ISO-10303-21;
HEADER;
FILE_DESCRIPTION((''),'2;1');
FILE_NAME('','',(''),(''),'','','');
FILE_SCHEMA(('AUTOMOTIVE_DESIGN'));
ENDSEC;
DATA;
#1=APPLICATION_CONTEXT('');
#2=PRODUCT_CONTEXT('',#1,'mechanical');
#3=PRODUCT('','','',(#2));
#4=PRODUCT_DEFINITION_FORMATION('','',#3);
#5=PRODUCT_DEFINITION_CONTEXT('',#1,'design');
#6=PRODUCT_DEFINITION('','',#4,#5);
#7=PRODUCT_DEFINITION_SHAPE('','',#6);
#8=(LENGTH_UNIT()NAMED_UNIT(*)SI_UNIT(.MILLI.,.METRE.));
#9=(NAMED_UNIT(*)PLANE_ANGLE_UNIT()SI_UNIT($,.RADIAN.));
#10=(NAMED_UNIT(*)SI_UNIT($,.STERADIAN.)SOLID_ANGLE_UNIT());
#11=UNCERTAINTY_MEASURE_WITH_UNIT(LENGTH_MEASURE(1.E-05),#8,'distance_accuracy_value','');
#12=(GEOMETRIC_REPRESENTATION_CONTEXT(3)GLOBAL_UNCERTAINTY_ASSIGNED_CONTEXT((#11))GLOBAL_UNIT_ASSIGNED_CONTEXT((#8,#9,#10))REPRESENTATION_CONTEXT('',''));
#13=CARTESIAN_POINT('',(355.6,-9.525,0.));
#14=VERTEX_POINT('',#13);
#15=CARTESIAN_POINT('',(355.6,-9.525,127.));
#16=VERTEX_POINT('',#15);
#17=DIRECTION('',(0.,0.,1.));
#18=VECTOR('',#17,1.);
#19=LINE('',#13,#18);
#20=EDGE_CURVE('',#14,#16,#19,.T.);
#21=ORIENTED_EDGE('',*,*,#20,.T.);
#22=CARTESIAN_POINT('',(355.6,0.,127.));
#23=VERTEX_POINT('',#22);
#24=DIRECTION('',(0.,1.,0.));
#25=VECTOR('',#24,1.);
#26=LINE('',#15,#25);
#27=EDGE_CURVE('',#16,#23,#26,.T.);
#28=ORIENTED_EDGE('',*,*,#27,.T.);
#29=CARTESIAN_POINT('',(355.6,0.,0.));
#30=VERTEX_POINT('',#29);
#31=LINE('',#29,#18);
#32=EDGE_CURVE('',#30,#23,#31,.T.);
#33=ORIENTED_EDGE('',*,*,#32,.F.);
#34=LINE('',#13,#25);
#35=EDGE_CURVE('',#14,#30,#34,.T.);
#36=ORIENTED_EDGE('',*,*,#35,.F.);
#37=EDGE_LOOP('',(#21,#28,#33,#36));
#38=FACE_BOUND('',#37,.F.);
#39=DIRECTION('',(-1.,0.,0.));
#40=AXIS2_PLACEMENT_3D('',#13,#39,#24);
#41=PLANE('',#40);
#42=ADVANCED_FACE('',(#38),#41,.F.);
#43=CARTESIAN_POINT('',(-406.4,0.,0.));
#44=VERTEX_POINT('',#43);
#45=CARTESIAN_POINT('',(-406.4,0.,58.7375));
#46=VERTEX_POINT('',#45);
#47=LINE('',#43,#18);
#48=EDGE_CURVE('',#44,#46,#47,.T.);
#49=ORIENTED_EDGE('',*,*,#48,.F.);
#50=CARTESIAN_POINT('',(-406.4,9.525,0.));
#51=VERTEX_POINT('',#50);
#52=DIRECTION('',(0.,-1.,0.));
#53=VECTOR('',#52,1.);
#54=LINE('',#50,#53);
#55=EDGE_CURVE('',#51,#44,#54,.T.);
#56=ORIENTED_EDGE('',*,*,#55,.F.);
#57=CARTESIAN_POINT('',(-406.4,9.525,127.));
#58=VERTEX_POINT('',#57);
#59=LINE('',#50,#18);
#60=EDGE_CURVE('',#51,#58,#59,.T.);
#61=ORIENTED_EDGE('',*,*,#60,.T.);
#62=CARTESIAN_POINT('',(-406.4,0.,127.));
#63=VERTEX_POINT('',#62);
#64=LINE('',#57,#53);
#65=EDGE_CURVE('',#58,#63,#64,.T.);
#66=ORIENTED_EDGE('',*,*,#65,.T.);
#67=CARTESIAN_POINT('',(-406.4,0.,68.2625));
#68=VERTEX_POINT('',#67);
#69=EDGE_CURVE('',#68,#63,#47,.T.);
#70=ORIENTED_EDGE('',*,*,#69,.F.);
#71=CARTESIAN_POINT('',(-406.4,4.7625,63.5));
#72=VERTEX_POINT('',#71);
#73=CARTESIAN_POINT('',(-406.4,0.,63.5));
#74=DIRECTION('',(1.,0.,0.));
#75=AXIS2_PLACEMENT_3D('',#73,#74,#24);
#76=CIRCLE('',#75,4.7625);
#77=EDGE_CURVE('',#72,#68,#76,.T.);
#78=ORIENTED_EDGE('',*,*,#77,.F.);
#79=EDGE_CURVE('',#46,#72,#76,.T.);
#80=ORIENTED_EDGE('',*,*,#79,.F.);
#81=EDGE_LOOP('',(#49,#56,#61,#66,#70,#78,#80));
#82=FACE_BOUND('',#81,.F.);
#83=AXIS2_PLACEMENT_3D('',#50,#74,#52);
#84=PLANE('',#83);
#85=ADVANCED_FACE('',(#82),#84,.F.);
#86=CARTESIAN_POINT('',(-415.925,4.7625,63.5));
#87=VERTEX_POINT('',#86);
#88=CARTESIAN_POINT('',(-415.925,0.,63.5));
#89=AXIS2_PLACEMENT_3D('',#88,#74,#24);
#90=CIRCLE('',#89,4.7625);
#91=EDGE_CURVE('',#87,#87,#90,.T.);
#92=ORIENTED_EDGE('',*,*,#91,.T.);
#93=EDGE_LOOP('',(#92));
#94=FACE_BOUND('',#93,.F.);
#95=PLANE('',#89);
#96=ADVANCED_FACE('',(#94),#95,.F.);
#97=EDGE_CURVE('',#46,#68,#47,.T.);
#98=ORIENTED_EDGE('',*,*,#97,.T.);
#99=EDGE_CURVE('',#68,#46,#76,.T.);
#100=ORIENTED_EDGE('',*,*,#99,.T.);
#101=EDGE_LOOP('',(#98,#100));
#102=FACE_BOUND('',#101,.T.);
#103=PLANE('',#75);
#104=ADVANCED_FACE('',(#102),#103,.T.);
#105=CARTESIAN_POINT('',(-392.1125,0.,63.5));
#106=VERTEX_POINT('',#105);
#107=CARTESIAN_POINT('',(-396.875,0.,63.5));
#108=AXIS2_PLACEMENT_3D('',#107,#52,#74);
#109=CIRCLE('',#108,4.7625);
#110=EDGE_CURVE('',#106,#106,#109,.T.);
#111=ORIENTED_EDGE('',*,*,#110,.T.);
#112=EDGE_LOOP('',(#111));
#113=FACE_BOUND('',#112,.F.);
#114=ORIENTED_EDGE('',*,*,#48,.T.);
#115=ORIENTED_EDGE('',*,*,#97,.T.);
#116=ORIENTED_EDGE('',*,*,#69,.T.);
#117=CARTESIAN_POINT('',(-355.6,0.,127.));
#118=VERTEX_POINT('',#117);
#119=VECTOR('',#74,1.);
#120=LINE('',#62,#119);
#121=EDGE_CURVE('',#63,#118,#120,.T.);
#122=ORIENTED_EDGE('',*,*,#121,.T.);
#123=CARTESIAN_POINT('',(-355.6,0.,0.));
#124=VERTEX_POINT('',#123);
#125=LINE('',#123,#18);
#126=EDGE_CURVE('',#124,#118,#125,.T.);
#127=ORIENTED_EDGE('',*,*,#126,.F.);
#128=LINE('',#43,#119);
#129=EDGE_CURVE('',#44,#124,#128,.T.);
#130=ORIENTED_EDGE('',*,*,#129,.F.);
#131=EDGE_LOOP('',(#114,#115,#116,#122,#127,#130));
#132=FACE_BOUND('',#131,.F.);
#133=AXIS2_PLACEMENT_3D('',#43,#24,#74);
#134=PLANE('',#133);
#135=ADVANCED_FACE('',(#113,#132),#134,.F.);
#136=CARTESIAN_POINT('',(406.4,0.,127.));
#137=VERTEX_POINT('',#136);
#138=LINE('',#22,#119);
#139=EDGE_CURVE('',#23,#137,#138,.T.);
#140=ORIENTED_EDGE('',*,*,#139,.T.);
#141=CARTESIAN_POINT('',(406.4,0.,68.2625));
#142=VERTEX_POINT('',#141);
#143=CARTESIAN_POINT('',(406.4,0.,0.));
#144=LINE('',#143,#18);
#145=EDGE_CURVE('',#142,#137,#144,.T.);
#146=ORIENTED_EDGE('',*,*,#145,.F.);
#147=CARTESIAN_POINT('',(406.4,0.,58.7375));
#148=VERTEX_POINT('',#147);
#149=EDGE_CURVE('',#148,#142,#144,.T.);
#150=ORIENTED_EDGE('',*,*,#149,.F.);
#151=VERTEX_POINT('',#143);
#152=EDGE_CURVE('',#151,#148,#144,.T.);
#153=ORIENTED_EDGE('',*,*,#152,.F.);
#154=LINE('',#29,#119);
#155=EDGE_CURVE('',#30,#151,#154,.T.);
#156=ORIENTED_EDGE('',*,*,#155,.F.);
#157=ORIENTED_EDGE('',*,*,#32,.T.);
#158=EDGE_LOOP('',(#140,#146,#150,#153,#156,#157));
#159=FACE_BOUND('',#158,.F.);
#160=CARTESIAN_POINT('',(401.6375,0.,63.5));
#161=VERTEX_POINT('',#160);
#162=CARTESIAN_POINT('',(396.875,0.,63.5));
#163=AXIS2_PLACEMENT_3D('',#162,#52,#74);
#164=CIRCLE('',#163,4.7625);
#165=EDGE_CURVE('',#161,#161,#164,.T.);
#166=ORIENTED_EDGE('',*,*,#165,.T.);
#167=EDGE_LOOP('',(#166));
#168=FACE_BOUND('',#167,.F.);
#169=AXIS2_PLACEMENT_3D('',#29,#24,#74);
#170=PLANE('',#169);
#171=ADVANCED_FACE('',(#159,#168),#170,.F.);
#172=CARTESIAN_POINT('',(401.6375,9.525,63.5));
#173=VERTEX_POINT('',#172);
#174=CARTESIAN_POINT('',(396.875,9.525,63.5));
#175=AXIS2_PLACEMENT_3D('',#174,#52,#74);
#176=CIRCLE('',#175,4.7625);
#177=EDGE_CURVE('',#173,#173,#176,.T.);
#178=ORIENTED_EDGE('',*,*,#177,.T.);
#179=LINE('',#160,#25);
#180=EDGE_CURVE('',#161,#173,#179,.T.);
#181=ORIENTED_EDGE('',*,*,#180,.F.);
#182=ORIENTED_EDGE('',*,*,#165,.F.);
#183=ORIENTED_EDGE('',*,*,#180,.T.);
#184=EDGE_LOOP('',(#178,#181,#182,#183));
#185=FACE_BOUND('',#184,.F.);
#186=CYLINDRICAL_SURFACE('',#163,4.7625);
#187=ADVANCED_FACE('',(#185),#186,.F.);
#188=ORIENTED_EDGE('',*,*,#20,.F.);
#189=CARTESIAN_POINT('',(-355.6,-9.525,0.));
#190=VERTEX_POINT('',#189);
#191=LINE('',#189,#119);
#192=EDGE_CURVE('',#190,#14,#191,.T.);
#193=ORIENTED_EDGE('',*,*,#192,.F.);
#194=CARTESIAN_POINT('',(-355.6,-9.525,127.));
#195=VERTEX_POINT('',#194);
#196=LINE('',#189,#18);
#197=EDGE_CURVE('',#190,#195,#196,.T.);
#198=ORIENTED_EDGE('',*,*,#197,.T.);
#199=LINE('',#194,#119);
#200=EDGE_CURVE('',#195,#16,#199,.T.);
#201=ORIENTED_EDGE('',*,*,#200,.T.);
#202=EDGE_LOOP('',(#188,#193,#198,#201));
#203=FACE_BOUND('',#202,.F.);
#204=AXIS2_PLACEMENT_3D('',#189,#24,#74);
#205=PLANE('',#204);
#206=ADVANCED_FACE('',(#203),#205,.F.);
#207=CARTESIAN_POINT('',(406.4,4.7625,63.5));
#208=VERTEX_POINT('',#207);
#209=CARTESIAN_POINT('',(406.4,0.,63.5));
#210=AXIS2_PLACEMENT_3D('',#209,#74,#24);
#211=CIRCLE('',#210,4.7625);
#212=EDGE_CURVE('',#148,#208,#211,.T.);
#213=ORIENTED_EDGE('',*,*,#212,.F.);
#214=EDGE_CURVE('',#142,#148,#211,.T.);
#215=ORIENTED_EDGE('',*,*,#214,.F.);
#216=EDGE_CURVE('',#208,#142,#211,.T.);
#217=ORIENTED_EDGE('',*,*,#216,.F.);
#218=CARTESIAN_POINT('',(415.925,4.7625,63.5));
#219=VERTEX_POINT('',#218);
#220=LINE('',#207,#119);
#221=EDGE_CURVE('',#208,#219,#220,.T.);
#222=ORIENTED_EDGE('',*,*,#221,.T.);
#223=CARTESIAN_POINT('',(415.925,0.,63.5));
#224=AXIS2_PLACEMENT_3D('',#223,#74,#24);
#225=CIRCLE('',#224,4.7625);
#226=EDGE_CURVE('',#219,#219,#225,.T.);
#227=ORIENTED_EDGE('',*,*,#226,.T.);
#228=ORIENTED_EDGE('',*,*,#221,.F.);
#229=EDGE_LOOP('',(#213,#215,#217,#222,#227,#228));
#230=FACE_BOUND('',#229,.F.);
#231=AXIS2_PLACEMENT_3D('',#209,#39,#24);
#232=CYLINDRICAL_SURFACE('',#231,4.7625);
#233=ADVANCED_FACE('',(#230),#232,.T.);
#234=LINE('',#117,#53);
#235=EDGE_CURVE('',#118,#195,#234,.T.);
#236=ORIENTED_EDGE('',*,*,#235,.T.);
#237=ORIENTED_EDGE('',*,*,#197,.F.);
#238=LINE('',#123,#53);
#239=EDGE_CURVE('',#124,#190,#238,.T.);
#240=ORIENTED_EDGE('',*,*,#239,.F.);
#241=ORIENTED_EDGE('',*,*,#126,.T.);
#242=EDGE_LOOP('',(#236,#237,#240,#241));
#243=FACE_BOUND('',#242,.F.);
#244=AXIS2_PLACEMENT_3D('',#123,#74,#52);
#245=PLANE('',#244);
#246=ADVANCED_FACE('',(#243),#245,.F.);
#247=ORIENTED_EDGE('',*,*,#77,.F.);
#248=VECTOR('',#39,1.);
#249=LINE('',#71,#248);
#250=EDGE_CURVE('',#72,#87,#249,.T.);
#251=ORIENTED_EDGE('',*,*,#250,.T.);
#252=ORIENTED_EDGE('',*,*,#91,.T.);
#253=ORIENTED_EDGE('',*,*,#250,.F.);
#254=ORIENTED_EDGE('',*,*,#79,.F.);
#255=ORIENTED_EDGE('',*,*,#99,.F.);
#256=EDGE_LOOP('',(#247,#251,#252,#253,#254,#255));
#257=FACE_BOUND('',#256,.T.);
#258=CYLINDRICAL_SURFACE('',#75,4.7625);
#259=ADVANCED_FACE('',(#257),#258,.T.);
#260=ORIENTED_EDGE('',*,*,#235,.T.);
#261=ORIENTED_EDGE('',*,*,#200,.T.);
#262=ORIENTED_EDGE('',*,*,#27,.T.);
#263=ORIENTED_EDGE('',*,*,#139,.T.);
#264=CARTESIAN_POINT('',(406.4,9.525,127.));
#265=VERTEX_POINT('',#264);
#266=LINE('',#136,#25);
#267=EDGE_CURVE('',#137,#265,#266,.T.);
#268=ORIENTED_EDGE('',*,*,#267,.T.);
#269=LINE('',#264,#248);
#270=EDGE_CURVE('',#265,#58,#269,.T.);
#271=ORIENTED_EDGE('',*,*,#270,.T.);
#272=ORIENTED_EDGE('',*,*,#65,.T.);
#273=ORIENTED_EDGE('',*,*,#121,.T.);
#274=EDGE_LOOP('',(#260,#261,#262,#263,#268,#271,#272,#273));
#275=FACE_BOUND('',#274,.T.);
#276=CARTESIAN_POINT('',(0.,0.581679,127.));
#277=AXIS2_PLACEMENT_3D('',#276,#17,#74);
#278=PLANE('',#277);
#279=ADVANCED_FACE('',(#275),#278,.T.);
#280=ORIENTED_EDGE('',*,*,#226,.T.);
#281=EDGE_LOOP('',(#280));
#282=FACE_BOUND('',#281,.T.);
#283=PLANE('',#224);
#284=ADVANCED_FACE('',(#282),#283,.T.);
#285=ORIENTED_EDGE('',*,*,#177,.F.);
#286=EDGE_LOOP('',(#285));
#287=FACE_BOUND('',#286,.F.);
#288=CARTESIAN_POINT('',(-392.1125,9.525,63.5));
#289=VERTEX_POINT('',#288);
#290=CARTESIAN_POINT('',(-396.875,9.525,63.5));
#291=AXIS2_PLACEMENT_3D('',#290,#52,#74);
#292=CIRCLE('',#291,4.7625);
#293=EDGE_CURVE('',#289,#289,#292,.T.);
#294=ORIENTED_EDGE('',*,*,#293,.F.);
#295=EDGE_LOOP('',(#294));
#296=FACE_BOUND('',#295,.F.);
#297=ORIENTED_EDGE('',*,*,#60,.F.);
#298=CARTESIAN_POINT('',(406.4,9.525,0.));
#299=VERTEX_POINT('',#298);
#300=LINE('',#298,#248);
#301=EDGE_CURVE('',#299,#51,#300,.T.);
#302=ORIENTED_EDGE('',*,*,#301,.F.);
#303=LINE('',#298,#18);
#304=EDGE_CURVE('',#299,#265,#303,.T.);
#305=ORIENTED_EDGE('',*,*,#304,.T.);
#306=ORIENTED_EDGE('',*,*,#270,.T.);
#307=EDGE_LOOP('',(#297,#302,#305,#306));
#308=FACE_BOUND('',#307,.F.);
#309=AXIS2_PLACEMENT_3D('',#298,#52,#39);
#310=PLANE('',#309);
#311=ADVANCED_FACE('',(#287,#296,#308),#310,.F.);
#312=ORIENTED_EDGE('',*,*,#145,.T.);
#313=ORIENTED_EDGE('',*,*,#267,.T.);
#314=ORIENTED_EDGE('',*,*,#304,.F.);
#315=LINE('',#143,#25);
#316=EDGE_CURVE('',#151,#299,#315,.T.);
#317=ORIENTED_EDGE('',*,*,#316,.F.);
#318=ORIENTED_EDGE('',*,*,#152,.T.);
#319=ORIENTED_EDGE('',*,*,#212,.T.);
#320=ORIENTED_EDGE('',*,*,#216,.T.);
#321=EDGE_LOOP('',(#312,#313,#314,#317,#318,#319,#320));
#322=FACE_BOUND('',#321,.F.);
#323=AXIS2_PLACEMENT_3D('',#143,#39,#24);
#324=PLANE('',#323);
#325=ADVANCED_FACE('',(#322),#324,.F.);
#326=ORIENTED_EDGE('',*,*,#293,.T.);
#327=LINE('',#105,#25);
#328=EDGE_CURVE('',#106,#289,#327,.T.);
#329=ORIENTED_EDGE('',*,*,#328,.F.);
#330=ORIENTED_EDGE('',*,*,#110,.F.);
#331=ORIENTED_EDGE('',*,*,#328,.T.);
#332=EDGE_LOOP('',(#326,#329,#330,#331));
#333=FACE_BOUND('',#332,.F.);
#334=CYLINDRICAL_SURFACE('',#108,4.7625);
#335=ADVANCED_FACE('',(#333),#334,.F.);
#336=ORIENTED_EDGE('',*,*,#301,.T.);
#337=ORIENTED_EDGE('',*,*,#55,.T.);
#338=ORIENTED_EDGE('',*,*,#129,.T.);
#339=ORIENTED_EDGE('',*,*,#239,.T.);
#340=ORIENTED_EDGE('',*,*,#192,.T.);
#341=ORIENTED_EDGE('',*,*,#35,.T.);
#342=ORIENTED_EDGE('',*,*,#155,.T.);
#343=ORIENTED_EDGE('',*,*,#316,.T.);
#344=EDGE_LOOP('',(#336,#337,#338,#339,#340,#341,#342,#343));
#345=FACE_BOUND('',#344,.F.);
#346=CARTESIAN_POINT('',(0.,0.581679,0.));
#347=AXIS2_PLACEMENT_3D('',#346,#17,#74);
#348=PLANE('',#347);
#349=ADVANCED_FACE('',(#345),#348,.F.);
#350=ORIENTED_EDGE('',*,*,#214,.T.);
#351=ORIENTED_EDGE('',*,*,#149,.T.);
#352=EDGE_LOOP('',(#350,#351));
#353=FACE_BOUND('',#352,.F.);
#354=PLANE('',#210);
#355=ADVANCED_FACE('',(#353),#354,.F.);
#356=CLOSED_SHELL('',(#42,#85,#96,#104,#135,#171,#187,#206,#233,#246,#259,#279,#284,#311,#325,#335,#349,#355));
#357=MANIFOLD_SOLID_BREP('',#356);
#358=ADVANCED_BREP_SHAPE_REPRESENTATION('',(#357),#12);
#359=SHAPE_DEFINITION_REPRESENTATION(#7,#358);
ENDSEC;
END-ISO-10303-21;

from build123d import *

# Parameters (mm, degrees)
F1_DEPTH = 127
F3_R     = 4.7625
F4_DEPTH = 9.525
F6_R     = 4.7625
F7_DEPTH = 9.525
F8_R     = 4.7625
F9_DEPTH = 25.4


with BuildPart() as f1:
    # F0 (on Top) → F1 (new body)
    with BuildSketch(Plane.XY):
        Polygon((-355.6, 0), (-355.6, -9.525), (355.6, -9.525), (355.6, 0), (406.4, 0), (406.4, 9.525), (-406.4, 9.525), (-406.4, 0), align=None)
    extrude(amount=F1_DEPTH)

    # F3 (on offset) → F4 (join)
    with BuildSketch(Plane.YZ.offset(406.4)):
        with Locations((0, 63.5)):
            Circle(F3_R)
    extrude(amount=F4_DEPTH)

    # F6 (on offset) → F7 (join)
    with BuildSketch(Plane.YZ.offset(-406.4)):
        with Locations((0, 63.5)):
            Circle(F6_R)
    extrude(amount=-F7_DEPTH)

    # F8 (on Front) → F9 (cut)
    with BuildSketch(Plane.XZ):
        with Locations((396.875, 63.5)):
            Circle(F8_R)
        with Locations((-396.875, 63.5)):
            Circle(F8_R)
    extrude(amount=-F9_DEPTH, mode=Mode.SUBTRACT)


solid = f1.part
